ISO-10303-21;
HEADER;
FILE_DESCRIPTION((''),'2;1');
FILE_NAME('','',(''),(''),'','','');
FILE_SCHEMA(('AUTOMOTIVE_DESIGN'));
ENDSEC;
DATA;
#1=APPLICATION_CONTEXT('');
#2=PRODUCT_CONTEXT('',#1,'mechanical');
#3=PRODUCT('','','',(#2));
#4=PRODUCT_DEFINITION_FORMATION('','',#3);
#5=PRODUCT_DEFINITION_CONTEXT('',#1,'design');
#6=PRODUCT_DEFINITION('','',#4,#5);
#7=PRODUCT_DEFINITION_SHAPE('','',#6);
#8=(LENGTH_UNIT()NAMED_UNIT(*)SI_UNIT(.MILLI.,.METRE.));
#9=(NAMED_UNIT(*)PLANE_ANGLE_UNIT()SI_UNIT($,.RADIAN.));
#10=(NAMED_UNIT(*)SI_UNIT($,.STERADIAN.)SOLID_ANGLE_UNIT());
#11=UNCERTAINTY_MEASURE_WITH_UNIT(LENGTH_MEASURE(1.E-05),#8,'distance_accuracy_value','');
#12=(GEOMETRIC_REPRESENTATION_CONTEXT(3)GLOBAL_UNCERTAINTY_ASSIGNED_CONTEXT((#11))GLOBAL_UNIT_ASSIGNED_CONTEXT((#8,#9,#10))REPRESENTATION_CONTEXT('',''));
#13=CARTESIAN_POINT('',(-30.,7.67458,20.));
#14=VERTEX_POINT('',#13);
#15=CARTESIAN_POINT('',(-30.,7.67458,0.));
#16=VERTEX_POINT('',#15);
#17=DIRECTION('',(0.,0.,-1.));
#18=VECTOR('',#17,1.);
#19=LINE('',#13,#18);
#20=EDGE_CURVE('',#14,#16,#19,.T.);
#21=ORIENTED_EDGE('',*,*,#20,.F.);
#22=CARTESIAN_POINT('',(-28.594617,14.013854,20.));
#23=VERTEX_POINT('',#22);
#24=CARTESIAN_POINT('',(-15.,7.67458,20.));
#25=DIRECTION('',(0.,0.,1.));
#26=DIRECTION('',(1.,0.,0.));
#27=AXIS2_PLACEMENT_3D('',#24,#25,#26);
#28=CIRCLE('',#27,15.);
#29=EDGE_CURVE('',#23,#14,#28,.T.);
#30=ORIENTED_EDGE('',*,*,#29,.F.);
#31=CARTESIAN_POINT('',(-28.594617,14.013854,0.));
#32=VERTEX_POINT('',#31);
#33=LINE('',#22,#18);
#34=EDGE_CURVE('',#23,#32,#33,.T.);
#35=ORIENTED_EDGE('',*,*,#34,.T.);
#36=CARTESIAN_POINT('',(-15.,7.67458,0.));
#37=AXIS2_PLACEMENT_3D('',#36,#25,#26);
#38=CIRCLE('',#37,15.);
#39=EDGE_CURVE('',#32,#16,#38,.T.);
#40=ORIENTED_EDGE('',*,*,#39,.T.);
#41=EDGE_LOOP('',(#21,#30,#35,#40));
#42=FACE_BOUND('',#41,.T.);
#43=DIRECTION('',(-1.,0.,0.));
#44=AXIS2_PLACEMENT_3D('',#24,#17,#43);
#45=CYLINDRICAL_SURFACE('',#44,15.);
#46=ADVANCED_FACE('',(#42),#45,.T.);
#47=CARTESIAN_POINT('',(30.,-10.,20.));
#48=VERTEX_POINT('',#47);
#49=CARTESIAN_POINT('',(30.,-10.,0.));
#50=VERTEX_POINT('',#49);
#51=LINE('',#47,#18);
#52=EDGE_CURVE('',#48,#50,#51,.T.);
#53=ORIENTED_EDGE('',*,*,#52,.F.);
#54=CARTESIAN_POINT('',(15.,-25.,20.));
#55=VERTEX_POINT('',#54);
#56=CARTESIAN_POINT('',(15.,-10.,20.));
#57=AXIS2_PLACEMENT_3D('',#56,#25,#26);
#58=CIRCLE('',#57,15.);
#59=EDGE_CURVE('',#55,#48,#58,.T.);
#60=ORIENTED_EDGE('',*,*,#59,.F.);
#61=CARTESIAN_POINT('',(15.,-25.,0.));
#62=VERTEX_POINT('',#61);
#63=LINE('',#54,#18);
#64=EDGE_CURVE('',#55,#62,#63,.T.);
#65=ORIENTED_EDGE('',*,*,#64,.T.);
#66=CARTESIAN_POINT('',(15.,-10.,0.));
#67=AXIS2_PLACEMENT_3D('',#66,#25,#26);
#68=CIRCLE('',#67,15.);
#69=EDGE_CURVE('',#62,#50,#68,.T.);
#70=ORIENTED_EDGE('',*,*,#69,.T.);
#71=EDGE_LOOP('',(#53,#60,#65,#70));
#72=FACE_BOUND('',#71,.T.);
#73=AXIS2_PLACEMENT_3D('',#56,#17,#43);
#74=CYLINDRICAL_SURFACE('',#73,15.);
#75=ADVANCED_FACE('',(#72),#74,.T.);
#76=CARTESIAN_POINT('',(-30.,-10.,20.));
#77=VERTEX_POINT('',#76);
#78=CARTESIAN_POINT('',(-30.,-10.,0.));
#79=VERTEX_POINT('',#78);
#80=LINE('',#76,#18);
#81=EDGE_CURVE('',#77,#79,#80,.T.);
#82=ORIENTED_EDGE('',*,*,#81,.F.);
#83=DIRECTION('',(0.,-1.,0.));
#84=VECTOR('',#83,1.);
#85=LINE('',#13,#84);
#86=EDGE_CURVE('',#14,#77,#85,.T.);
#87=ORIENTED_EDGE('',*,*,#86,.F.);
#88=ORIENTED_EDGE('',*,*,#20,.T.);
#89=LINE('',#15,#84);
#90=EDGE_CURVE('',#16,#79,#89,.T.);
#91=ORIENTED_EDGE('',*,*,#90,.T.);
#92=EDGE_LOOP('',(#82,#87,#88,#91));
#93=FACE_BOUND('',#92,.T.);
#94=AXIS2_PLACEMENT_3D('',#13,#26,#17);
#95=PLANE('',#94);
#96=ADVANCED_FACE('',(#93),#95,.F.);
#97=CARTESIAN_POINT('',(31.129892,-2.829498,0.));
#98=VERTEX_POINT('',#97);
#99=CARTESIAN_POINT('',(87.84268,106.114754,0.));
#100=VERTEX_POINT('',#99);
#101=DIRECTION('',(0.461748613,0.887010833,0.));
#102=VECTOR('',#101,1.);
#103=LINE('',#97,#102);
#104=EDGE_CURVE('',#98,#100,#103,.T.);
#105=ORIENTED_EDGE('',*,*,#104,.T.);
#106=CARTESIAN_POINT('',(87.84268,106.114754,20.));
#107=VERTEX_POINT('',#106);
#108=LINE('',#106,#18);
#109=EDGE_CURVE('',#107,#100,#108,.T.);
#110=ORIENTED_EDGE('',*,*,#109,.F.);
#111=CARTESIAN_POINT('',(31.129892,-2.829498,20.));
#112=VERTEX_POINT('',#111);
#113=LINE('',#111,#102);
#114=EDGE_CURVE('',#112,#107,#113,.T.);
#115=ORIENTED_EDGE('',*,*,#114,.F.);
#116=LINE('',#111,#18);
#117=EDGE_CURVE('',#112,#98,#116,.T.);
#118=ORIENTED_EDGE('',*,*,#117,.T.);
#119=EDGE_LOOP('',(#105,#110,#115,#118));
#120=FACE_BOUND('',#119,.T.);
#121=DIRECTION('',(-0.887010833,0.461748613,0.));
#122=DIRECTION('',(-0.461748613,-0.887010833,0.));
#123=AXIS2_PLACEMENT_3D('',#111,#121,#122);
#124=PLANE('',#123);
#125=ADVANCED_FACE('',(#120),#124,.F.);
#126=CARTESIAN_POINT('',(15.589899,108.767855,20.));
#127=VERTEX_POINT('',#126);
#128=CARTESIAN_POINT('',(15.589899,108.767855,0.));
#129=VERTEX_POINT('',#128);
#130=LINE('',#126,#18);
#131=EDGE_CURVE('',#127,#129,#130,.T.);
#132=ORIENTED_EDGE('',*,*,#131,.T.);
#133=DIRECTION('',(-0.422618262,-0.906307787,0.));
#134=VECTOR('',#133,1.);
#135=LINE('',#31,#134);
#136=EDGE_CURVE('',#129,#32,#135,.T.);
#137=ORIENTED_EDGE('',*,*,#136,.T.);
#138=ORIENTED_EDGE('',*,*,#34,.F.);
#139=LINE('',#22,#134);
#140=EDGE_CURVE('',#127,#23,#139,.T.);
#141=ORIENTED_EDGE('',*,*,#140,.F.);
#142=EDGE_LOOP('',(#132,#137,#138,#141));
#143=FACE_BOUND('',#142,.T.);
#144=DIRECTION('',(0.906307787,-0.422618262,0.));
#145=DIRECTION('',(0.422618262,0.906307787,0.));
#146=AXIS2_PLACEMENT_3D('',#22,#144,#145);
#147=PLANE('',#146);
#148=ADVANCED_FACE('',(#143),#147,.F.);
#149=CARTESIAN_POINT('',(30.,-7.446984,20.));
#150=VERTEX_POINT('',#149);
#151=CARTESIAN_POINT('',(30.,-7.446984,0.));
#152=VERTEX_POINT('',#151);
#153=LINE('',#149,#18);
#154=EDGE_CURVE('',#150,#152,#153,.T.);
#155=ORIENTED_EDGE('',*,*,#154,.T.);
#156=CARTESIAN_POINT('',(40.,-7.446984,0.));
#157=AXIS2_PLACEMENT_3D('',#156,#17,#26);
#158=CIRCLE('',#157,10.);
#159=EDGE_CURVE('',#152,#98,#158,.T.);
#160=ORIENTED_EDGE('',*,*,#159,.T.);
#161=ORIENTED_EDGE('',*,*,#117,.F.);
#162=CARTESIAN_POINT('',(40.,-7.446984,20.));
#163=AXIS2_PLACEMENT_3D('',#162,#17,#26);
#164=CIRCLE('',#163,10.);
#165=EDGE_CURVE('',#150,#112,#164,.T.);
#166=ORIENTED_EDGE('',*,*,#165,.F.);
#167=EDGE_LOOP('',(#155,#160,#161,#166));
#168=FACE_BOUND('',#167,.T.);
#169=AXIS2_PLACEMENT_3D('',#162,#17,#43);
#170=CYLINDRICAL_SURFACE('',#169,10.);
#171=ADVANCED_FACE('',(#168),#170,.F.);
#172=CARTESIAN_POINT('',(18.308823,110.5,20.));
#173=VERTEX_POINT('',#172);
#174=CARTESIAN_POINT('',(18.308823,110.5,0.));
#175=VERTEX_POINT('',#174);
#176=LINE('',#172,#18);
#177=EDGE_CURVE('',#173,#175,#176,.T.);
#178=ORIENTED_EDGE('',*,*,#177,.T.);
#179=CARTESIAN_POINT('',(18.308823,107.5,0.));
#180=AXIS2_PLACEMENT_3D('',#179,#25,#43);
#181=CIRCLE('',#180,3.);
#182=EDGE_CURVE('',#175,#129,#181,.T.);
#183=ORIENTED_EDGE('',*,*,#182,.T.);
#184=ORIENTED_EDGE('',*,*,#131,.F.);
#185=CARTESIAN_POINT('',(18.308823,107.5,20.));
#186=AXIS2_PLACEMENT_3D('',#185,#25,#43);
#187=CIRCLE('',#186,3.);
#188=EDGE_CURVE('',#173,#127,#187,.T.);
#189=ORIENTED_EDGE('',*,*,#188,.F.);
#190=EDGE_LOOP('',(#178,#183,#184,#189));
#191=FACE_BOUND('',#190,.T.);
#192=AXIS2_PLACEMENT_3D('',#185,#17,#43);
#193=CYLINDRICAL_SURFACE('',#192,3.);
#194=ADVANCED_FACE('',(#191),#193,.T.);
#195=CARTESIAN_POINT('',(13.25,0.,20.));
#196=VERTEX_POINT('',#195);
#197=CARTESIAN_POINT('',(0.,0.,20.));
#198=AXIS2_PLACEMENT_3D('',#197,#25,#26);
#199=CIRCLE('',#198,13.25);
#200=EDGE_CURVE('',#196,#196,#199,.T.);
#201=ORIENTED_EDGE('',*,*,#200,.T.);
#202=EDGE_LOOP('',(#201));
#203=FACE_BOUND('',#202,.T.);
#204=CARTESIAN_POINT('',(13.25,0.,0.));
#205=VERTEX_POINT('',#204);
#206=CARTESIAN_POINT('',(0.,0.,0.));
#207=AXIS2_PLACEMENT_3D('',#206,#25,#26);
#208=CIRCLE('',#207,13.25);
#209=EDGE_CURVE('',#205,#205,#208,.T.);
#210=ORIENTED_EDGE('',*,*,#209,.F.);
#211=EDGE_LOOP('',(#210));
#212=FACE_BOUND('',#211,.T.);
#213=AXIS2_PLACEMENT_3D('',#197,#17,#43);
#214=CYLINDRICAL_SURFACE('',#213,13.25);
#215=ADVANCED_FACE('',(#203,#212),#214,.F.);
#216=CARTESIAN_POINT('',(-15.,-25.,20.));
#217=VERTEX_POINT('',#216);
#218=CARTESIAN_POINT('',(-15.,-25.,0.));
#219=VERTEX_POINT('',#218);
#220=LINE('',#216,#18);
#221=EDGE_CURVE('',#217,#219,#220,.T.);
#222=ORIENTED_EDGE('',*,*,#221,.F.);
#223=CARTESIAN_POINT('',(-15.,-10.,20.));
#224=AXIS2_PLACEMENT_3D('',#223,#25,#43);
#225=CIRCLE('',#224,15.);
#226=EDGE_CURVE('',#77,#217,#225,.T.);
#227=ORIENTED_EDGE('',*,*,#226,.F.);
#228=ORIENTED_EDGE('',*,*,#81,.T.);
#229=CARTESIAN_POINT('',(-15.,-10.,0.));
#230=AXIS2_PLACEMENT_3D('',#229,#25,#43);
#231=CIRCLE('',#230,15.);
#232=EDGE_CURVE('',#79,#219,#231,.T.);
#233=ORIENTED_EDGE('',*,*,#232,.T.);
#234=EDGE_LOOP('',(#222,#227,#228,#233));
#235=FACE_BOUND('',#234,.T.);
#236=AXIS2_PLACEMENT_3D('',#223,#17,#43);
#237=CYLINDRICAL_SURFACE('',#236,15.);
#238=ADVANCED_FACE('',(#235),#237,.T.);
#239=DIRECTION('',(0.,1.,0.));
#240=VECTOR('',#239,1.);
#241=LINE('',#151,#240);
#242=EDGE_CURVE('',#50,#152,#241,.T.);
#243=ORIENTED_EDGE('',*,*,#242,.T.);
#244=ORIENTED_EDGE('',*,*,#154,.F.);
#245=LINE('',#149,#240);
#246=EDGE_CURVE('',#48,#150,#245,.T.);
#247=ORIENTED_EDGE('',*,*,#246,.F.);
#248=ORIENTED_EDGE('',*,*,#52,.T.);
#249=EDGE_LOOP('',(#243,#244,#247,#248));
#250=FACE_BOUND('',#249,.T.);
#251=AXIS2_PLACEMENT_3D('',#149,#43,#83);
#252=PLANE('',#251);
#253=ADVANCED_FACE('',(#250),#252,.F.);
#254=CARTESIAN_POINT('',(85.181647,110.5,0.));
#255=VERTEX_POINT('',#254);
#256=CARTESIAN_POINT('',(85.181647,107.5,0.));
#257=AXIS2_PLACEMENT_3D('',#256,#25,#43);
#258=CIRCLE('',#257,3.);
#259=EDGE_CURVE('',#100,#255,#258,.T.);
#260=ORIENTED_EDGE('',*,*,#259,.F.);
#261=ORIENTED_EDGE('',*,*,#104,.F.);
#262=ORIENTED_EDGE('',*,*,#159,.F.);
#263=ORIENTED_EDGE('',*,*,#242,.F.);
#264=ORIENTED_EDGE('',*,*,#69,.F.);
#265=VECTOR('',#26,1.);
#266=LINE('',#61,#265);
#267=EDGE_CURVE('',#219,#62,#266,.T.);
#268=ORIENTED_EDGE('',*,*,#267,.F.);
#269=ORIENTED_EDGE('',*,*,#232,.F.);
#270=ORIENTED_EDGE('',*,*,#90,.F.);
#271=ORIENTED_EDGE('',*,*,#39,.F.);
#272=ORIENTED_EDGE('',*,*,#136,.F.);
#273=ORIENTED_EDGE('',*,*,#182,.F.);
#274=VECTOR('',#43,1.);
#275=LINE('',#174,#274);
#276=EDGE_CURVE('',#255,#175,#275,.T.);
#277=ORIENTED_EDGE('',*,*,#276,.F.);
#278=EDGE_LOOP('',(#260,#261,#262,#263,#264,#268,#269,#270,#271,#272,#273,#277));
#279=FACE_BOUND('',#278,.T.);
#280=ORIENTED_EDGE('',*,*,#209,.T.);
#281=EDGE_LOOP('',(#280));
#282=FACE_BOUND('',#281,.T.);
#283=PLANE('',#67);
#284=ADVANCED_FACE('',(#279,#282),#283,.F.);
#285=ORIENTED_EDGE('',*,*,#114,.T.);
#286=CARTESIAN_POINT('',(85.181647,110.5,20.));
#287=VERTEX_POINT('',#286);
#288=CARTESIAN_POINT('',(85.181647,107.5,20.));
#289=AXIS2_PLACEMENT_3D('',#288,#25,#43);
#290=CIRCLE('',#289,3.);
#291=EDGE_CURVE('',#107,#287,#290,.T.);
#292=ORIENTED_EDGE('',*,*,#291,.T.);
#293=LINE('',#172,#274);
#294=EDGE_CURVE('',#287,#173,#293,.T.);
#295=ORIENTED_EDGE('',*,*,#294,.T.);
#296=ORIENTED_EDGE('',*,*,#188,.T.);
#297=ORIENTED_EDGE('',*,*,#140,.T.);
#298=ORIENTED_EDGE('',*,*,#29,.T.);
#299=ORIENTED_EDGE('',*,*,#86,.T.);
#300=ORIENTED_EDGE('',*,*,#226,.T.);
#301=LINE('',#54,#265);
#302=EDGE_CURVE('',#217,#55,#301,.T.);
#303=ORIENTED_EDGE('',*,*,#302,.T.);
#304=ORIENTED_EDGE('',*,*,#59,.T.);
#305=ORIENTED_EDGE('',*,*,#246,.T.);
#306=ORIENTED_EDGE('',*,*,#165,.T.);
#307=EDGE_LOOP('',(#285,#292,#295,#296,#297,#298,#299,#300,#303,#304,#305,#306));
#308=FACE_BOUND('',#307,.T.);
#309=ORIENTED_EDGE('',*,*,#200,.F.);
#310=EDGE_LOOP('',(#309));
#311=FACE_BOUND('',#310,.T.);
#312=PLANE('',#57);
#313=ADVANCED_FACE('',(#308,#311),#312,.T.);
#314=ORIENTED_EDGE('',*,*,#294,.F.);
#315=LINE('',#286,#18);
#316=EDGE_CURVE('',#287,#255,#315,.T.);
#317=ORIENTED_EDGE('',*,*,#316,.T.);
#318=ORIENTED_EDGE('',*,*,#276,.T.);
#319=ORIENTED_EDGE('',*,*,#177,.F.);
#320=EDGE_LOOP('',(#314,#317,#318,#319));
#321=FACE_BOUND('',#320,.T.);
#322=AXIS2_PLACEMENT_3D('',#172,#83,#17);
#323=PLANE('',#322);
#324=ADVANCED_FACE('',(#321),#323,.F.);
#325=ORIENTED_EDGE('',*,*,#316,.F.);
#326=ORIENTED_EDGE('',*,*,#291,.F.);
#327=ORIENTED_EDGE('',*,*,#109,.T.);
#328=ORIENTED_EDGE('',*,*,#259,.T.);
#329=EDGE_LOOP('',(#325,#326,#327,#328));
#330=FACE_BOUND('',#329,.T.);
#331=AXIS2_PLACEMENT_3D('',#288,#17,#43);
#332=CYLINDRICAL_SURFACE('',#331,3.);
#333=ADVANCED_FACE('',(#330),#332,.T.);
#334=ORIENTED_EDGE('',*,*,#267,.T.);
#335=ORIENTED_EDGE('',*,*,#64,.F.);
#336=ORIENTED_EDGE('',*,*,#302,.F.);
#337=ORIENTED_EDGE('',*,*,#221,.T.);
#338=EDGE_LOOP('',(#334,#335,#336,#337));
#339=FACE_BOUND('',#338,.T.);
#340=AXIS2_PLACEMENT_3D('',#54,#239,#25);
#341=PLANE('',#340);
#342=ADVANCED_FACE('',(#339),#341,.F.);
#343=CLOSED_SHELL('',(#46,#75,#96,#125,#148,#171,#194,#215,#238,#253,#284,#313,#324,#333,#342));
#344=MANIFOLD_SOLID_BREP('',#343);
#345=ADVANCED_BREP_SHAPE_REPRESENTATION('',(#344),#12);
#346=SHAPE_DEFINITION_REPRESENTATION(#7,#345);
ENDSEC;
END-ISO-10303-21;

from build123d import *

# Parameters (mm, degrees)
SKETCH1_R          = 13.25
BASE_EXTRUDE_DEPTH = 20


with BuildPart() as part:
    # Sketch1 → Base-Extrude (new body)
    with BuildSketch(Plane.XY):
        with BuildLine():
            Line((30, -7.446984432), (30, -10))
            ThreePointArc((30, -10), (25.606601718, -20.606601718), (15, -25))
            Line((15, -25), (-15, -25))
            ThreePointArc((-15, -25), (-25.606601718, -20.606601718), (-30, -10))
            Line((-30, -10), (-30, 7.67458006))
            ThreePointArc((-30, 7.67458006), (-29.644440107, 10.921174269), (-28.594616806, 14.013853986))
            Line((-28.594616806, 14.013853986), (15.589899408, 108.767854785))
            ThreePointArc((15.589899408, 108.767854785), (16.696923944, 110.030174337), (18.308822769, 110.5))
            Line((18.308822769, 110.5), (85.181647346, 110.5))
            ThreePointArc((85.181647346, 110.5), (87.746382958, 109.056319774), (87.842679846, 106.11475416))
            Line((87.842679846, 106.11475416), (31.129891668, -2.8294983))
            ThreePointArc((31.129891668, -2.8294983), (30.286579302, -5.070125509), (30, -7.446984432))
        make_face()
        Circle(SKETCH1_R, mode=Mode.SUBTRACT)
    extrude(amount=BASE_EXTRUDE_DEPTH)


solid = part.part
